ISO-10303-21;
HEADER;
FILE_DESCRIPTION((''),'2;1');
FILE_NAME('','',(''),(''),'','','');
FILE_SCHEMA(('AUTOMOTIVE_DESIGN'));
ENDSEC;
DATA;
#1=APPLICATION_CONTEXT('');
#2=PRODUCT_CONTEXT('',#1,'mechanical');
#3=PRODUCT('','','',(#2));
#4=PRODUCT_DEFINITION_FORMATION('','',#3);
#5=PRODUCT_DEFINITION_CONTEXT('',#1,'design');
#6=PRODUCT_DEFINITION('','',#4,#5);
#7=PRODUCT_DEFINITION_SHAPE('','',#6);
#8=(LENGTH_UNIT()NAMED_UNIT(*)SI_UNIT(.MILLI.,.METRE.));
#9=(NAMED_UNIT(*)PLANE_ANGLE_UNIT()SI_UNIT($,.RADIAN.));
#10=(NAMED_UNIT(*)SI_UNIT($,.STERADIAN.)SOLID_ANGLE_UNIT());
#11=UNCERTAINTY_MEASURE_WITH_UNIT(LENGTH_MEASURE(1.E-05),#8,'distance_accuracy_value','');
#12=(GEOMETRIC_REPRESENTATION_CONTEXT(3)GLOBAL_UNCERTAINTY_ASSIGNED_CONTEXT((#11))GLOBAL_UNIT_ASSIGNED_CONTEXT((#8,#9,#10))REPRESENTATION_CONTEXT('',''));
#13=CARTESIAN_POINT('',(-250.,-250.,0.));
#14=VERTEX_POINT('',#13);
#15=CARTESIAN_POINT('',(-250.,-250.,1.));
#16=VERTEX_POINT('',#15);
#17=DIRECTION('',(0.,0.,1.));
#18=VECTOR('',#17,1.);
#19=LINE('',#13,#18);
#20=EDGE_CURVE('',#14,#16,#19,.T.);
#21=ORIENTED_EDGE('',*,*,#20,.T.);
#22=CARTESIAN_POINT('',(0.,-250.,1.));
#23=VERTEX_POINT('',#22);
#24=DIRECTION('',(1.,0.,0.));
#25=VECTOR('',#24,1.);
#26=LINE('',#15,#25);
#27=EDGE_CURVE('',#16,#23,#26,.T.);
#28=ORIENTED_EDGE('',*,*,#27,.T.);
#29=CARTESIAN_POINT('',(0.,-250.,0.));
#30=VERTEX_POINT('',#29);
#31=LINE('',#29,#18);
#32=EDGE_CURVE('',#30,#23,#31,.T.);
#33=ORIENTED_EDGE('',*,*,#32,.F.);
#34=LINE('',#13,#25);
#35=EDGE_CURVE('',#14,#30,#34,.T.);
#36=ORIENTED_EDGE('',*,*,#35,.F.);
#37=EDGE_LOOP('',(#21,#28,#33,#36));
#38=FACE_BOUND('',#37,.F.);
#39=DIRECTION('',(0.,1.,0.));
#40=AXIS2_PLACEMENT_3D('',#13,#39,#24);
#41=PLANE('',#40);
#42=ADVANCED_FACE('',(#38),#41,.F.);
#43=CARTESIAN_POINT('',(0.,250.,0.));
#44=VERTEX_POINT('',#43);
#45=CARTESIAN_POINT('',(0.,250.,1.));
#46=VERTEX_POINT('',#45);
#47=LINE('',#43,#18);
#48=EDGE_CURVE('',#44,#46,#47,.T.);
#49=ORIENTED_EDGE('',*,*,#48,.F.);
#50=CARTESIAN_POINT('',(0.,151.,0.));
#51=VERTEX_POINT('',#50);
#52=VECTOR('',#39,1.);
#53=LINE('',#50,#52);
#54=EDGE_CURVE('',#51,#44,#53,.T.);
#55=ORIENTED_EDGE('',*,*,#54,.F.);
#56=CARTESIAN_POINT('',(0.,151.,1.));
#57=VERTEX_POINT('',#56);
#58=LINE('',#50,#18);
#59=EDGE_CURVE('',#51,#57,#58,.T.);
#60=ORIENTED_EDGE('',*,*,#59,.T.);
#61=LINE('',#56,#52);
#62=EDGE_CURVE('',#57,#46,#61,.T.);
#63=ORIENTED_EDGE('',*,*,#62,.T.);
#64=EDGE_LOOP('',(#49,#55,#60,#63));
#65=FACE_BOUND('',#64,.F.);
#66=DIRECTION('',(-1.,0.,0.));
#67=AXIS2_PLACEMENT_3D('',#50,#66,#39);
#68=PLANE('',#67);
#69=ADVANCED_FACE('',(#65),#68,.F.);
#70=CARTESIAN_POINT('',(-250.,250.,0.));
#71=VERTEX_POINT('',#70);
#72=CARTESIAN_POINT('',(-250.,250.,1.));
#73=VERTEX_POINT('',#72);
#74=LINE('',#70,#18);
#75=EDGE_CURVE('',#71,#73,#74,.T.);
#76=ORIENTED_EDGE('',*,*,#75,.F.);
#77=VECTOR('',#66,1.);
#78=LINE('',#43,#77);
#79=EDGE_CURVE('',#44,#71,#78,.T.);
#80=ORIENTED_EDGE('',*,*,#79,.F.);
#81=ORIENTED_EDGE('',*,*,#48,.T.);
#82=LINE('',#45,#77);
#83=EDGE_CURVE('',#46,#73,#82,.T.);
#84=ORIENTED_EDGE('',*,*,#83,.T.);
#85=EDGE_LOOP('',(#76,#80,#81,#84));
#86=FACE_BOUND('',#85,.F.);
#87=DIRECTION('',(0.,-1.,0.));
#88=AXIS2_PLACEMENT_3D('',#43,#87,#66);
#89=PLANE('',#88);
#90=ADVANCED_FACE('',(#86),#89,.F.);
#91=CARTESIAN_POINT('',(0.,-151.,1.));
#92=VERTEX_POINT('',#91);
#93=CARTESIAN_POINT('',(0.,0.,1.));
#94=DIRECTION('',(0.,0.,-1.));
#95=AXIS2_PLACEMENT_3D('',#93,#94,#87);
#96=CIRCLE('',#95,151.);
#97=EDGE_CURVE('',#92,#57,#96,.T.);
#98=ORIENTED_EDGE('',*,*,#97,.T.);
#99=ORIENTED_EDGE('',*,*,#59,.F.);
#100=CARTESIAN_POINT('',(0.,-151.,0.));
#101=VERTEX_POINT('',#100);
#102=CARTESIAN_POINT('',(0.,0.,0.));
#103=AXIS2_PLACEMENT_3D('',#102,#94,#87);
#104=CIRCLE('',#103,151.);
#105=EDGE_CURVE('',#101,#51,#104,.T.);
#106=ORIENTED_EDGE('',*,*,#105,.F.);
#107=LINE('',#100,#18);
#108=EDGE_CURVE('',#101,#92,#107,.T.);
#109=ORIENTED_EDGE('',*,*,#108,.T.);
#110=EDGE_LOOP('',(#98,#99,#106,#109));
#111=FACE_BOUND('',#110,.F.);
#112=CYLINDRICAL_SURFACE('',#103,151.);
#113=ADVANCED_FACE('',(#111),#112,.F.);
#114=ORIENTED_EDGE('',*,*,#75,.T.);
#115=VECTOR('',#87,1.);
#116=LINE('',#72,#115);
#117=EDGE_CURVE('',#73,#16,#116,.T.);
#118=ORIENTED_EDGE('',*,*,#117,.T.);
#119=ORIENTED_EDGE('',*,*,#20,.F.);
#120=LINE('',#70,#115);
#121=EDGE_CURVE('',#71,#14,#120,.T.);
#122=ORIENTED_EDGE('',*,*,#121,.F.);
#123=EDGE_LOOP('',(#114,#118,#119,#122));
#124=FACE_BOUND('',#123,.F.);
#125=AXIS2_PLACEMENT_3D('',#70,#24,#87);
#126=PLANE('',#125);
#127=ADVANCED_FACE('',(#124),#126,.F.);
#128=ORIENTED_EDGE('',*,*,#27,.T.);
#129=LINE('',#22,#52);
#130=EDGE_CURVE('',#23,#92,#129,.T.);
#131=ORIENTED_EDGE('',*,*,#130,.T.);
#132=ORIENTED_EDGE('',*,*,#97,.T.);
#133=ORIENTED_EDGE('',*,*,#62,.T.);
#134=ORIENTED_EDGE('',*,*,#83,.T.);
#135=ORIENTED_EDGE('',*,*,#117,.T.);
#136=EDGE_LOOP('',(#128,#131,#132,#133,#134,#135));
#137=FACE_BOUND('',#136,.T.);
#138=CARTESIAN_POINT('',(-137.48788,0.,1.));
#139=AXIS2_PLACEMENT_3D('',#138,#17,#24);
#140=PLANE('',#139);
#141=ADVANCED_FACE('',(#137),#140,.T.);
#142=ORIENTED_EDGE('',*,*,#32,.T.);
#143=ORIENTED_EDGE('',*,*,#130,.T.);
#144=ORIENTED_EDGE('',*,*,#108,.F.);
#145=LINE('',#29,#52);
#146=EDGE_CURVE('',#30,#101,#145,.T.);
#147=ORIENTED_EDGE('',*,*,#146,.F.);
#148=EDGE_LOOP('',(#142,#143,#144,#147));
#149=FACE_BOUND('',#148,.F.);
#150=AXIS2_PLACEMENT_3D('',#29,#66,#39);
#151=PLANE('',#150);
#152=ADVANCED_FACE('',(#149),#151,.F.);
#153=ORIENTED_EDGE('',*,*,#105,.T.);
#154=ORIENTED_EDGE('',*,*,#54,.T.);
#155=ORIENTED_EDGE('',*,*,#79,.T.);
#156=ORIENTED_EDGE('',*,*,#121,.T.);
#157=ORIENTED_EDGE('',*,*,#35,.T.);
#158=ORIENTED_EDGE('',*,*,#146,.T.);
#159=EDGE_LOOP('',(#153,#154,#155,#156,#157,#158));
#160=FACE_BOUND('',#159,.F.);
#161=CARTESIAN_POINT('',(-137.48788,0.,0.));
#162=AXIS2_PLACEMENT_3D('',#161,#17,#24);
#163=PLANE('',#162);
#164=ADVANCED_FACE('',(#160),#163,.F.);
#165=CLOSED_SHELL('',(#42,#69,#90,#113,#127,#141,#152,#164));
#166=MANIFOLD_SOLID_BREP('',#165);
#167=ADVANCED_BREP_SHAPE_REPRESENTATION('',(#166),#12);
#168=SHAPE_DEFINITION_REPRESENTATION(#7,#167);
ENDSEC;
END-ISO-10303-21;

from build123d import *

# Parameters (mm, degrees)
F1_DEPTH = 1


with BuildPart() as f1:
    # F0 (on Top) → F1 (new body)
    with BuildSketch(Plane.XY):
        with BuildLine():
            ThreePointArc((0, -151), (-151, 0), (0, 151))
            Line((0, 151), (0, 250))
            Line((0, 250), (-250, 250))
            Line((-250, 250), (-250, -250))
            Line((-250, -250), (0, -250))
            Line((0, -250), (0, -151))
        make_face()
    extrude(amount=F1_DEPTH)


solid = f1.part
